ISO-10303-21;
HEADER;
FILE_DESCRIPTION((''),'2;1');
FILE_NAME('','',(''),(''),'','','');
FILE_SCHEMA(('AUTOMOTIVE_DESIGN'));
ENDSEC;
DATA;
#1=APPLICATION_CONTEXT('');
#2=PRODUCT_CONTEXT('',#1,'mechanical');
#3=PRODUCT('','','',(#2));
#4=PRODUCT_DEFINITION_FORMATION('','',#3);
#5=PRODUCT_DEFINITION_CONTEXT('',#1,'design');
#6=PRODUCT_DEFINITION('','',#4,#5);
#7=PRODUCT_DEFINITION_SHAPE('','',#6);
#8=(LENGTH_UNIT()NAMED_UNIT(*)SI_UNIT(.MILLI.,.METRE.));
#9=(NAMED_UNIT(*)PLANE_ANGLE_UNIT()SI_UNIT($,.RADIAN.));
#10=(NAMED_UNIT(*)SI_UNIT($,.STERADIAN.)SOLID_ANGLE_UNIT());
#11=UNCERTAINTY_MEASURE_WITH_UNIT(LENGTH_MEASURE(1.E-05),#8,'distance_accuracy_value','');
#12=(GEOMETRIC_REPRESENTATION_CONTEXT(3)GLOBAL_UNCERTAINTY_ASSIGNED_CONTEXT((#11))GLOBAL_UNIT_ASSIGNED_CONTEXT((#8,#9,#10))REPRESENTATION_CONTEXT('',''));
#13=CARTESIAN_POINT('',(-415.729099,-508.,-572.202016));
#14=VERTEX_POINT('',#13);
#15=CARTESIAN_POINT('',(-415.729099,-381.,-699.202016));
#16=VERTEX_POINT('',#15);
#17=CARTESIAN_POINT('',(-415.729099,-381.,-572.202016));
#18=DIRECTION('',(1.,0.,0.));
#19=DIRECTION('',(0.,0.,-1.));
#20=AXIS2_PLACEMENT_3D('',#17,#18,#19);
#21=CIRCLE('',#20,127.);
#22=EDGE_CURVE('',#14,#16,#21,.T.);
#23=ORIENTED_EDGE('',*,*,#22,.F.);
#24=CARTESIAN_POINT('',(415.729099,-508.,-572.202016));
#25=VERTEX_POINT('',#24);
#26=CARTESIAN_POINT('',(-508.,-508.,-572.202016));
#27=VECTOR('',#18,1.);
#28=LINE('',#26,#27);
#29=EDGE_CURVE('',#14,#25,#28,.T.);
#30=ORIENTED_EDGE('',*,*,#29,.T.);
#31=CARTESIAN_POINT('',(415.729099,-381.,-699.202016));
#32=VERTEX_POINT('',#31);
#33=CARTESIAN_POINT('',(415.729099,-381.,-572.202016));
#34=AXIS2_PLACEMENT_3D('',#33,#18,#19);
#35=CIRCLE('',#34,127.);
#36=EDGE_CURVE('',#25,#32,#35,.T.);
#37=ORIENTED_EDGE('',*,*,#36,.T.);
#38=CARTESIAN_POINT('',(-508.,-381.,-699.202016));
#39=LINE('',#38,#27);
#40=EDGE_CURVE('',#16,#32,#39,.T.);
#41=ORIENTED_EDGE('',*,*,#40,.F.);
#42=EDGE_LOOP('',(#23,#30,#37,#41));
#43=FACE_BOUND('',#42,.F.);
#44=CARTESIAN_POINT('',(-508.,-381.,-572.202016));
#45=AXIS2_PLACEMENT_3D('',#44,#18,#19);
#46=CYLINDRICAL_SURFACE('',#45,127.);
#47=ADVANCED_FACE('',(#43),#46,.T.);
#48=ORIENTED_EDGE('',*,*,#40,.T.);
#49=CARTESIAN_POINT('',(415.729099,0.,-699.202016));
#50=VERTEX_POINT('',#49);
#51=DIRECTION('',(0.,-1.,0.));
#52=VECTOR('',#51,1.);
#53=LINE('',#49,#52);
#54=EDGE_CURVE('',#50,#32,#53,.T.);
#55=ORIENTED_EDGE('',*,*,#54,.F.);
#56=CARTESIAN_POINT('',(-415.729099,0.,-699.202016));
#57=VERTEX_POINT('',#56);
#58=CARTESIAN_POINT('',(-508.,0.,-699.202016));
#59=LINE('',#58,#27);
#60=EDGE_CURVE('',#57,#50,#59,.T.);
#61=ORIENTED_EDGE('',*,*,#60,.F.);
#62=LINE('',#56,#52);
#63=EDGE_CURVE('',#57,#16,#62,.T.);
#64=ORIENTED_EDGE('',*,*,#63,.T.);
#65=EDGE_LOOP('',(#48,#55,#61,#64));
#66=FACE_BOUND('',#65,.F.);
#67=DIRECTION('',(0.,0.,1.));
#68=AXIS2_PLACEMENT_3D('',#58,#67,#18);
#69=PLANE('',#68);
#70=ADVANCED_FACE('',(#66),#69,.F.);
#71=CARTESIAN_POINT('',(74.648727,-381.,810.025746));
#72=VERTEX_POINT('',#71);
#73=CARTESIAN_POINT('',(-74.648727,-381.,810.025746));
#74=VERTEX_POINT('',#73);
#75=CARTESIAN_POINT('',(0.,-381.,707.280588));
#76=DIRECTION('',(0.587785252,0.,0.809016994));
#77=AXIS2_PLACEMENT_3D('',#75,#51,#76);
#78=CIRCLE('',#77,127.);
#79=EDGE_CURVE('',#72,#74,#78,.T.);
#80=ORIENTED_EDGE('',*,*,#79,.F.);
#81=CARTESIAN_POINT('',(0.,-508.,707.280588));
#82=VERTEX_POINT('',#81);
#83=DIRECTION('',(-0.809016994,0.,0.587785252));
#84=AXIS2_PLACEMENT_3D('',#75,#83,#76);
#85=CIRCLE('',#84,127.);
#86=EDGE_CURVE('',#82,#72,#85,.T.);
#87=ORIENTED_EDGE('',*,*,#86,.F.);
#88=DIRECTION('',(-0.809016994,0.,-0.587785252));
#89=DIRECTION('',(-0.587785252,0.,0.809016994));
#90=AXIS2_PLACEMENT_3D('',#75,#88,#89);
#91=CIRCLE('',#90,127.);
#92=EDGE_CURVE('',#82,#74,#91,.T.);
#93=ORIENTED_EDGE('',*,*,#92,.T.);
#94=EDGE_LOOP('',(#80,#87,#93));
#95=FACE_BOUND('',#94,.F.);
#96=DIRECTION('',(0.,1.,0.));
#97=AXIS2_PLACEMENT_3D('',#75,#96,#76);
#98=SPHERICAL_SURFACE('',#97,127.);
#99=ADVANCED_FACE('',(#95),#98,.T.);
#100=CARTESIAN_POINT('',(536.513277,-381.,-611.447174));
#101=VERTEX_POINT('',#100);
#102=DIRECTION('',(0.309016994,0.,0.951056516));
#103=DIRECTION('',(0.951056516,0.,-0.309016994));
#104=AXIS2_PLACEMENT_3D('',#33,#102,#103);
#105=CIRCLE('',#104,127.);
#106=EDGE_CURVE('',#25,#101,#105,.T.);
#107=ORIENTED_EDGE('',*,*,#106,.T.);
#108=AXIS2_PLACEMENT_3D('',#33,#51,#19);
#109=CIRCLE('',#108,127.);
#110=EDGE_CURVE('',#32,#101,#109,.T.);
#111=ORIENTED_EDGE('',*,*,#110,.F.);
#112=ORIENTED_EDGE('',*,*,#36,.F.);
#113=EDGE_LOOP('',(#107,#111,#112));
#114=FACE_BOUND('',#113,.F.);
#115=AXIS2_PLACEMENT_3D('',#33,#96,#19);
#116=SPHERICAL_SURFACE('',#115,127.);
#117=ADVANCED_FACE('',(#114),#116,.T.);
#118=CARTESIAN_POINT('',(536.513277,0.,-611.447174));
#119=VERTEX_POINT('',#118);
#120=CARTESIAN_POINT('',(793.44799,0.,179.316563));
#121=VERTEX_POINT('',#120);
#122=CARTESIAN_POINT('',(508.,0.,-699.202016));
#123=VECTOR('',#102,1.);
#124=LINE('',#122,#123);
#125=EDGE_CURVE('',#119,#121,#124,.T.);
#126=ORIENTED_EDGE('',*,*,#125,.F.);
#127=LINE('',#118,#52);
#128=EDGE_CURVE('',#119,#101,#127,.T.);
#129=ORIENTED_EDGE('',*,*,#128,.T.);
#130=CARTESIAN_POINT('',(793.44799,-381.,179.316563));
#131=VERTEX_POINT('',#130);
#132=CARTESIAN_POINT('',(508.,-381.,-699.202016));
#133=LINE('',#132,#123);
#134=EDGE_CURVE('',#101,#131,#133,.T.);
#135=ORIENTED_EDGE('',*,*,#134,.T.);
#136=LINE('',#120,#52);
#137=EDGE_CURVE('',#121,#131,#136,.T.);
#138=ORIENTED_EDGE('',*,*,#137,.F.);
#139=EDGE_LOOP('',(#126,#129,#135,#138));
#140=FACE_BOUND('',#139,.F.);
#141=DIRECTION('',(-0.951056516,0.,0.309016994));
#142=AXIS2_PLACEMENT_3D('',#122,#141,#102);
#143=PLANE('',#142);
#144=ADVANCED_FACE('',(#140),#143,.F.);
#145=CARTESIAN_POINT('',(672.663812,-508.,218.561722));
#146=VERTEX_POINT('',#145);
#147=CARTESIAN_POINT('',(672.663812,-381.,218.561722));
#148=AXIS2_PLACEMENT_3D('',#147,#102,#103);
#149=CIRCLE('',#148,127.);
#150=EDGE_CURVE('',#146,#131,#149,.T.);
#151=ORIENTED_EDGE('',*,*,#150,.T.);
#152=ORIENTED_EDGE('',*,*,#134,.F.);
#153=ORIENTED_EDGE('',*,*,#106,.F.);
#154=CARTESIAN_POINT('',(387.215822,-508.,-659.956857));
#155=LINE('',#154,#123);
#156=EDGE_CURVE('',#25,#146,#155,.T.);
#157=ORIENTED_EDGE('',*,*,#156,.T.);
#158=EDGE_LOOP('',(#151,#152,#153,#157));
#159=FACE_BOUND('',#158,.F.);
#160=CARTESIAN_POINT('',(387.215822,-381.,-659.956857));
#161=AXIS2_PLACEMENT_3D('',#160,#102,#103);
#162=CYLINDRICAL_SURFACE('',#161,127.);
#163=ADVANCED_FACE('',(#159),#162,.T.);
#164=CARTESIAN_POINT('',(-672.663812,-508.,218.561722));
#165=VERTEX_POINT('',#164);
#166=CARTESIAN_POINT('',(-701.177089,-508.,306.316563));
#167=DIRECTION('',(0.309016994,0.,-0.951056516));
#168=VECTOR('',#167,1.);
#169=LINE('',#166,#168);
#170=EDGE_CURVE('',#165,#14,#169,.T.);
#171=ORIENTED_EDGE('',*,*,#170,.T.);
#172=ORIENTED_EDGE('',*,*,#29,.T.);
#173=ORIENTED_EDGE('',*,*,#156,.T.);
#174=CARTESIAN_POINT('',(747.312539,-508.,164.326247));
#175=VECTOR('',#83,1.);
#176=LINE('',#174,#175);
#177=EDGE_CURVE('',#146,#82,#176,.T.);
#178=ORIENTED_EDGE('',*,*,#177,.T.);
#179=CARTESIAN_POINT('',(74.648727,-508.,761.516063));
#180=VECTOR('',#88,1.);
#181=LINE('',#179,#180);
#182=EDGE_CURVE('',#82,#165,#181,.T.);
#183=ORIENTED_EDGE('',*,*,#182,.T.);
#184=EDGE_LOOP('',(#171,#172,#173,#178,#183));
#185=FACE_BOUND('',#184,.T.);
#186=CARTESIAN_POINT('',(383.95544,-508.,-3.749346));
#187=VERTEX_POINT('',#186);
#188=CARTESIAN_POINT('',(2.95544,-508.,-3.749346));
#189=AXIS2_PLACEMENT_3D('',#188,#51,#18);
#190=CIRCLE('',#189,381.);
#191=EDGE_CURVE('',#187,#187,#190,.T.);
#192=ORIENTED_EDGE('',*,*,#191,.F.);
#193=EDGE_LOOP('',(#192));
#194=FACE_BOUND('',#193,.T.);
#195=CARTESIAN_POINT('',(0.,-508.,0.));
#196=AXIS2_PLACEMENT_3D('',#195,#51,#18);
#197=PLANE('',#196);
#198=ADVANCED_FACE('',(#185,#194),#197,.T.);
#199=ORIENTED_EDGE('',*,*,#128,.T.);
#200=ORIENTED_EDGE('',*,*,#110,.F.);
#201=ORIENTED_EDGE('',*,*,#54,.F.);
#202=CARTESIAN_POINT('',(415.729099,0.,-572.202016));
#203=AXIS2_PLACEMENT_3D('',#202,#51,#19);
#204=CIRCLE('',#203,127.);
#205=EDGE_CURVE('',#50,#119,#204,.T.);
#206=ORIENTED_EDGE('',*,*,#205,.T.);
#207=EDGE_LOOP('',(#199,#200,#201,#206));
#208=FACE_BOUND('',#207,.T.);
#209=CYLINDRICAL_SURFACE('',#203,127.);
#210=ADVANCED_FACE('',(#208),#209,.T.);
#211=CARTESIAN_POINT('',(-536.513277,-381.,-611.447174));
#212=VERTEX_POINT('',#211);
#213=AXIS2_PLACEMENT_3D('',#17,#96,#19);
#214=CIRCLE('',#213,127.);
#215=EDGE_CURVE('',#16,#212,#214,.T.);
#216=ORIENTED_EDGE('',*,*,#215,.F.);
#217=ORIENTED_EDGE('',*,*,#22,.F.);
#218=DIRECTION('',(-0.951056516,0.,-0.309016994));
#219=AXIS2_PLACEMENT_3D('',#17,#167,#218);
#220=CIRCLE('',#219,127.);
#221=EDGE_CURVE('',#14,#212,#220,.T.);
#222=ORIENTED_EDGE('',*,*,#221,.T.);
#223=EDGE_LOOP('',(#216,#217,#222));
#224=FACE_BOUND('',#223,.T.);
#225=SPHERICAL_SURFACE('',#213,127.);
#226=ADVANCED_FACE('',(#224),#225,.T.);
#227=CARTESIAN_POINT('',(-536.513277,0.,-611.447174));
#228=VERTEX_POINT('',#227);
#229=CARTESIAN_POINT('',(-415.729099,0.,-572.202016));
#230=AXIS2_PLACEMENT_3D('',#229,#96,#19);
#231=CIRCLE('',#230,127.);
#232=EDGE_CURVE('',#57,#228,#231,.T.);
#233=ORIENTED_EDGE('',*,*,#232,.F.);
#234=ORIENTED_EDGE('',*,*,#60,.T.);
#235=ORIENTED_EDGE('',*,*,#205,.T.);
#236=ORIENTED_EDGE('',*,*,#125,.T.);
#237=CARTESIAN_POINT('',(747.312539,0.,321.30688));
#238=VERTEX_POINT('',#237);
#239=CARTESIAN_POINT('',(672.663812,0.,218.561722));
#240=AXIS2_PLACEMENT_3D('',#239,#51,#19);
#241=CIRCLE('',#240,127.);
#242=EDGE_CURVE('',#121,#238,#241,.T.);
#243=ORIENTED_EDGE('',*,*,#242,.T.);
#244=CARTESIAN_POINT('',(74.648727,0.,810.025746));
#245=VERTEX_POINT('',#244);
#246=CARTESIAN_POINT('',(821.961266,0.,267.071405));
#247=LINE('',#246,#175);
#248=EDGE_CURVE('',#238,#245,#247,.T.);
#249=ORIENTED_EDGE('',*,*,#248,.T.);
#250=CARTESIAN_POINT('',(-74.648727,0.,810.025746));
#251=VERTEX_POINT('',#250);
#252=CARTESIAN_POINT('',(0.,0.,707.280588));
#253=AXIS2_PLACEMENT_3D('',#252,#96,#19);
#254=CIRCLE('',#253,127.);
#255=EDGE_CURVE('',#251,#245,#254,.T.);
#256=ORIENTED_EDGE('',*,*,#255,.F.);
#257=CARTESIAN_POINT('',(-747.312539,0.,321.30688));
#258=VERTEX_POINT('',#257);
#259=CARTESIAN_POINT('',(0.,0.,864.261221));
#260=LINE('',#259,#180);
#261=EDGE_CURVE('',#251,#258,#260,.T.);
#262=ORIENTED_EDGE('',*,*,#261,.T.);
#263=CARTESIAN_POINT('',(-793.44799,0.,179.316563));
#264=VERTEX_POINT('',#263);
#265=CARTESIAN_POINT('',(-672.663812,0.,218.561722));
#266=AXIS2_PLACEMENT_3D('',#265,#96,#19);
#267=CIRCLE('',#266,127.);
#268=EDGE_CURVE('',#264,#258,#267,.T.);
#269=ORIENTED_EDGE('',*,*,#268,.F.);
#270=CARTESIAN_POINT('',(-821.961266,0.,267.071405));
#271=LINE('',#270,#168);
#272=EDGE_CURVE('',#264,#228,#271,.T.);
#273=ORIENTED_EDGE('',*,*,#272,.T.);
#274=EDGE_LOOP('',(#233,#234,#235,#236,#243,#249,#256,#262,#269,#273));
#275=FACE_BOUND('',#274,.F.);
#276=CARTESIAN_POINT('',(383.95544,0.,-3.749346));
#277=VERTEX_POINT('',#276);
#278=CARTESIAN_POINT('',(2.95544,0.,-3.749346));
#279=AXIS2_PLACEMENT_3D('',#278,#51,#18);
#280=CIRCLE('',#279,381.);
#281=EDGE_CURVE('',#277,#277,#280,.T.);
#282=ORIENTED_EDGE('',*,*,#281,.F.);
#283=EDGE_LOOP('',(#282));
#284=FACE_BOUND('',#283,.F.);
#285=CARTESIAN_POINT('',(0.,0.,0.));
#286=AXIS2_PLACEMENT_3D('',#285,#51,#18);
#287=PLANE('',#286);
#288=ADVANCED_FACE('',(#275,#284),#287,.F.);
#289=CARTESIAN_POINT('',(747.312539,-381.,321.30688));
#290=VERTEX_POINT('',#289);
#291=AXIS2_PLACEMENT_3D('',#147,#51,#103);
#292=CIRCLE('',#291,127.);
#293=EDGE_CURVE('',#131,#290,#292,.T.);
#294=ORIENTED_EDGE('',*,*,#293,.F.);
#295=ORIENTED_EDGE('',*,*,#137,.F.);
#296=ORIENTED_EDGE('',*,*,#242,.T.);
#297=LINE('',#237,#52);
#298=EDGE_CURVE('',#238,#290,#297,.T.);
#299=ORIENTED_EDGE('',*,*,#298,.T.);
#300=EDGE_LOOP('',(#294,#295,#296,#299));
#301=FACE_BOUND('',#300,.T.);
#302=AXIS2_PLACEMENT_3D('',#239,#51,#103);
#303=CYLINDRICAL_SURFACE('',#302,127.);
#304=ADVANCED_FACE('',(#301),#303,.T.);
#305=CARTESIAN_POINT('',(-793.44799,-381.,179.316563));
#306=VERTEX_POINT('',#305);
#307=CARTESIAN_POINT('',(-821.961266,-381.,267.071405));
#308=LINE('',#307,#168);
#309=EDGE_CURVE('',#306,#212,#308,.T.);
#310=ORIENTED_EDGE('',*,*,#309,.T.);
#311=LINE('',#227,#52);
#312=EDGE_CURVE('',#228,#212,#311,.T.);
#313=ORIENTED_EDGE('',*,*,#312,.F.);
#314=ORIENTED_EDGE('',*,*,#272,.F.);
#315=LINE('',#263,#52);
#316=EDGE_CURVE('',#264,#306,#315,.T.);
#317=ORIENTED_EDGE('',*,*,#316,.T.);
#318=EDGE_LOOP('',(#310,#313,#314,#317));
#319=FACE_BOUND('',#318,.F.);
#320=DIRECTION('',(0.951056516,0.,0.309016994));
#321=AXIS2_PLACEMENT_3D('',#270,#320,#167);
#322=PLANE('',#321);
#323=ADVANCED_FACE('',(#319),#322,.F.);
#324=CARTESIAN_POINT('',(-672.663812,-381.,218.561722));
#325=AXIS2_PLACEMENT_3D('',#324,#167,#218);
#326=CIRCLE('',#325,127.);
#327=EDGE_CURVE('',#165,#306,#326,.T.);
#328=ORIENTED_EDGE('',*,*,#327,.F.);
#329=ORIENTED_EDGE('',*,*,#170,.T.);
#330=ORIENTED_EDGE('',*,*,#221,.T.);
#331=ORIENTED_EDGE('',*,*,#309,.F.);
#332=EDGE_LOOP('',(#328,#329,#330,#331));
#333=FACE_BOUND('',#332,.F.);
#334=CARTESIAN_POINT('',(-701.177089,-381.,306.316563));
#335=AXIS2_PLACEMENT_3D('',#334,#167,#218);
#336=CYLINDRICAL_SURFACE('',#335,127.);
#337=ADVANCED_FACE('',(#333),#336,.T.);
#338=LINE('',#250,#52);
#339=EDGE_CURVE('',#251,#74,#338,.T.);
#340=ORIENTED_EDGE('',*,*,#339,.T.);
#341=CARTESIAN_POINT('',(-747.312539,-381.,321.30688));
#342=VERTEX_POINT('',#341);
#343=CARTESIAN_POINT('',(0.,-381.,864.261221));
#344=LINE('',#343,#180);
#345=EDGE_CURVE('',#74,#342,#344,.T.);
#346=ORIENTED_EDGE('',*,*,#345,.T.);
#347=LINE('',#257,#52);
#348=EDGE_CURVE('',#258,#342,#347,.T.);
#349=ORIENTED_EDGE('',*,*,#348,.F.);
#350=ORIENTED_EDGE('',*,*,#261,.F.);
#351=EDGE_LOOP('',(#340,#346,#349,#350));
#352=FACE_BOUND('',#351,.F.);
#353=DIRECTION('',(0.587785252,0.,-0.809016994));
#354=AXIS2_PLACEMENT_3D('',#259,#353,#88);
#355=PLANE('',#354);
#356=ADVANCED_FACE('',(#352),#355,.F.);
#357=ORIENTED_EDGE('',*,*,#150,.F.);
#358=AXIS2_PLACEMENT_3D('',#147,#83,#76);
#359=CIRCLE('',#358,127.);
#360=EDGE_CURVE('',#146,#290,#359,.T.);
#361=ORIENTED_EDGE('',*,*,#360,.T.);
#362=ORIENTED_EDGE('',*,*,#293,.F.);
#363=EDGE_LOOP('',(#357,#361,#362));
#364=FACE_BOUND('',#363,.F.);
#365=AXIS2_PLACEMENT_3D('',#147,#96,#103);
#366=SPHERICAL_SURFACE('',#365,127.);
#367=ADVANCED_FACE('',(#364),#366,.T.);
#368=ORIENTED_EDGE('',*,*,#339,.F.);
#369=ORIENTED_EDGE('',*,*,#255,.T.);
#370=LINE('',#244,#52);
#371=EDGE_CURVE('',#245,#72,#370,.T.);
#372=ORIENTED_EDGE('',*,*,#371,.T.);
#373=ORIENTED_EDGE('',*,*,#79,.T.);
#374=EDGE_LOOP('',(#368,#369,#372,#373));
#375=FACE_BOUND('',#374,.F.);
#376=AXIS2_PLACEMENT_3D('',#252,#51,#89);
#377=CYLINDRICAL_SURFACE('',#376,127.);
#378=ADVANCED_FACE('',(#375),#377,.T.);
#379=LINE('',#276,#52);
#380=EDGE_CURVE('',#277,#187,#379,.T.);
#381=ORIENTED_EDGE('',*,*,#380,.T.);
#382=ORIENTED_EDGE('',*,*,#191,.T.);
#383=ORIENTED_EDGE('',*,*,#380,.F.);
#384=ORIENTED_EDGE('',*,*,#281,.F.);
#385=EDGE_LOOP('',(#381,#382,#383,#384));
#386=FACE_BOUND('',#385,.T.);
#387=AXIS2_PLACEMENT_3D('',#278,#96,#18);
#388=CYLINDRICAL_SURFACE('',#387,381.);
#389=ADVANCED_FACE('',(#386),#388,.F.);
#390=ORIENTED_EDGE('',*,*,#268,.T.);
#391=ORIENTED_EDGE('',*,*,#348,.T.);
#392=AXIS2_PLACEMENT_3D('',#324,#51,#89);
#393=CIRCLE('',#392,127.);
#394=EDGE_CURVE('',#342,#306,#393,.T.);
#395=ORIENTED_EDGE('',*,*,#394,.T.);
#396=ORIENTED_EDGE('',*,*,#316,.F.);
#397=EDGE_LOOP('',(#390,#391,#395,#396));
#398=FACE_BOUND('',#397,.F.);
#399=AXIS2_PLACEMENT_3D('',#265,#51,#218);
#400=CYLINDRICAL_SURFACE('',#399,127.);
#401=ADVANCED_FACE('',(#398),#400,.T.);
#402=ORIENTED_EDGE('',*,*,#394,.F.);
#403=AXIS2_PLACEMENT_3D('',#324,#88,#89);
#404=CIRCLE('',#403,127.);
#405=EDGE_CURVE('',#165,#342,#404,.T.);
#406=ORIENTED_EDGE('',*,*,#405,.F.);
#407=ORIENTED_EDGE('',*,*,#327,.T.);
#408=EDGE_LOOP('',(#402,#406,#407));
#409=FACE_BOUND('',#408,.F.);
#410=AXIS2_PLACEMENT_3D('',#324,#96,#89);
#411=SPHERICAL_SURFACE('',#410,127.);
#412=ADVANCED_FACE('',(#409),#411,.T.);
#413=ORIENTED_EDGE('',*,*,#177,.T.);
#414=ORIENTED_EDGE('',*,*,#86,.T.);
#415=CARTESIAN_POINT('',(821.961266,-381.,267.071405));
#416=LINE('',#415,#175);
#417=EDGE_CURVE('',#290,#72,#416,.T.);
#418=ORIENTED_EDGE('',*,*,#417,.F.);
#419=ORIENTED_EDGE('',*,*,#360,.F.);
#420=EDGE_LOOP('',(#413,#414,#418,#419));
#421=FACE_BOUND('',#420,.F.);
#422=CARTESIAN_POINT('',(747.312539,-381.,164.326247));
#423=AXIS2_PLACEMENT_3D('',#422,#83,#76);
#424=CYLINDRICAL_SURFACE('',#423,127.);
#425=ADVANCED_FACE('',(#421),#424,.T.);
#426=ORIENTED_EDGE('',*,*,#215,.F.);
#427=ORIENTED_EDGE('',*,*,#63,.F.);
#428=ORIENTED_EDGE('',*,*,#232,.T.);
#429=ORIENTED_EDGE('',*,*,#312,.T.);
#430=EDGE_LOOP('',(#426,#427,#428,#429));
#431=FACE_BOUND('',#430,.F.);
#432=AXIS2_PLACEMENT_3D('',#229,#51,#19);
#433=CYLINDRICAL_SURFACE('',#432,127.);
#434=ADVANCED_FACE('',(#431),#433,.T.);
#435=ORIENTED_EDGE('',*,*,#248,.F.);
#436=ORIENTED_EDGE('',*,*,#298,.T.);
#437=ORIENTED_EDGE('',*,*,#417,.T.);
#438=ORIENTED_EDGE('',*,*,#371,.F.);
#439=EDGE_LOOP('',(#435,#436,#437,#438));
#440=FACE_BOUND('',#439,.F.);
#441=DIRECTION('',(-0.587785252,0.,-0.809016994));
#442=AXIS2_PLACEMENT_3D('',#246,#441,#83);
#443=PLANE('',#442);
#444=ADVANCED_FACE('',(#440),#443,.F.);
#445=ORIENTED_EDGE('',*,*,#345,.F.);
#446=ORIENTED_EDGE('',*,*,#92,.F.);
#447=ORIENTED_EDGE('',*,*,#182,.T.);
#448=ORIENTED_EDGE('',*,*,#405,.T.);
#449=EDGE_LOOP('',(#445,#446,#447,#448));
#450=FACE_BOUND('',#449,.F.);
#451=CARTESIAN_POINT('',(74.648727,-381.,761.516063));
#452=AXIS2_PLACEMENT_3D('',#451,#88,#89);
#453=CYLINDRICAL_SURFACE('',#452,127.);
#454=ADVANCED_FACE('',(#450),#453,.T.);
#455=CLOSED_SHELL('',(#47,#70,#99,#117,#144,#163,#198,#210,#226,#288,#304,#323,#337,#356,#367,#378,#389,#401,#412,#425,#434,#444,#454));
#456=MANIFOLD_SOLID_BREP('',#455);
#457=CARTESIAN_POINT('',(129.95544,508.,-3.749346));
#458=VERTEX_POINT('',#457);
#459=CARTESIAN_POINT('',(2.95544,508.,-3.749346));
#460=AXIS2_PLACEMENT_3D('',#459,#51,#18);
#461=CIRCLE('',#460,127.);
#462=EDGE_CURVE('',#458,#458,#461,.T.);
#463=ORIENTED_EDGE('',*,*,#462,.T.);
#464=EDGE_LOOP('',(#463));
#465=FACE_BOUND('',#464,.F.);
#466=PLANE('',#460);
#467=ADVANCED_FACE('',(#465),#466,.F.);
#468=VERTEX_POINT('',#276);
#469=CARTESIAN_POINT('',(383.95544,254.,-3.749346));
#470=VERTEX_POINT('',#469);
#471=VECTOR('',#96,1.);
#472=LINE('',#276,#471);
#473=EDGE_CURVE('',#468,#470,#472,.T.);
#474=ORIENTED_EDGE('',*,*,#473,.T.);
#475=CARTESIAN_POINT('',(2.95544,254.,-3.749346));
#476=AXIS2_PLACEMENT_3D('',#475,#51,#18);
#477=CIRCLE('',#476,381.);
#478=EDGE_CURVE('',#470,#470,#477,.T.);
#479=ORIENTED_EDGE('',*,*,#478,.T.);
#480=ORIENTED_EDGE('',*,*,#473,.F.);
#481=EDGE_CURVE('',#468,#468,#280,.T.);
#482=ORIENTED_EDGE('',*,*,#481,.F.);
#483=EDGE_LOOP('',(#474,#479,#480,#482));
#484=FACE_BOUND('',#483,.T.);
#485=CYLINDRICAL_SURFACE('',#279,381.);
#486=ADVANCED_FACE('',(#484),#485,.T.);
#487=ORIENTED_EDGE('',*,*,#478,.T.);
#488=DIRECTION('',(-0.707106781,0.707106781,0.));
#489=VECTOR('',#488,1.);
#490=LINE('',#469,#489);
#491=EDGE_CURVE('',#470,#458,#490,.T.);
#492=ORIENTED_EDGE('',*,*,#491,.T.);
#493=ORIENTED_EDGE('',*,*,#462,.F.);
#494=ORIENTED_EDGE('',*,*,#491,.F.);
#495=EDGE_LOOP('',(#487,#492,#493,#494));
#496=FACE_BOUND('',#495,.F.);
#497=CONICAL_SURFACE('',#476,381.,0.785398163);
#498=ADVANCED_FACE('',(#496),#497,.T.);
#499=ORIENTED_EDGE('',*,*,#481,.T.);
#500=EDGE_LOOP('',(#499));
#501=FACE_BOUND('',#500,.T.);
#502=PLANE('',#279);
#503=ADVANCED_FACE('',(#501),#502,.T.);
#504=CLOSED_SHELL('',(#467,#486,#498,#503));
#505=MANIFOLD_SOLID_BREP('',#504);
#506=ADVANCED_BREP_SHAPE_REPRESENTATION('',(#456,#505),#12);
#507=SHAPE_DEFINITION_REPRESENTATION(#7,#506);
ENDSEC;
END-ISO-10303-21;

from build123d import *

# Parameters (mm, degrees)
F0_R     = 381
F1_DEPTH = 508
F2_R     = 127
F3_DEPTH = 508
F4_SIZE  = 254


with BuildPart() as f1:
    # F0 (on Front) → F1 (new body)
    with BuildSketch(Plane.XZ):
        Polygon((-508, -699.2020155994), (508, -699.2020155994), (821.9612662849, 267.0714049565), (0, 864.2612212857), (-821.9612662849, 267.0714049565), align=None)
        with Locations((2.955440199, -3.7493463606)):
            Circle(F0_R, mode=Mode.SUBTRACT)
    extrude(amount=F1_DEPTH)

    # F2
    f2_edges = [f1.edges().sort_by_distance(p)[0] for p in [
        (508, -254, -699.202016),
        (821.961266, -254, 267.071405),
        (0, -254, 864.261221),
        (-821.961266, -254, 267.071405),
        (-508, -254, -699.202016),
        (0, -508, -699.202016),
        (664.980633, -508, -216.065305),
        (410.980633, -508, 565.666313),
        (-410.980633, -508, 565.666313),
        (-664.980633, -508, -216.065305),
    ]]
    fillet(f2_edges, radius=F2_R)

    # F0 (on Front) → F3 (join)
    with BuildSketch(Plane.XZ):
        with Locations((2.955440199, -3.7493463606)):
            Circle(F0_R)
    extrude(amount=-F3_DEPTH)

    # F4
    f4_edges = [f1.edges().sort_by_distance(p)[0] for p in [
        (-378.04456, 508, -3.749346),
    ]]
    chamfer(f4_edges, length=F4_SIZE)


solid = f1.part
